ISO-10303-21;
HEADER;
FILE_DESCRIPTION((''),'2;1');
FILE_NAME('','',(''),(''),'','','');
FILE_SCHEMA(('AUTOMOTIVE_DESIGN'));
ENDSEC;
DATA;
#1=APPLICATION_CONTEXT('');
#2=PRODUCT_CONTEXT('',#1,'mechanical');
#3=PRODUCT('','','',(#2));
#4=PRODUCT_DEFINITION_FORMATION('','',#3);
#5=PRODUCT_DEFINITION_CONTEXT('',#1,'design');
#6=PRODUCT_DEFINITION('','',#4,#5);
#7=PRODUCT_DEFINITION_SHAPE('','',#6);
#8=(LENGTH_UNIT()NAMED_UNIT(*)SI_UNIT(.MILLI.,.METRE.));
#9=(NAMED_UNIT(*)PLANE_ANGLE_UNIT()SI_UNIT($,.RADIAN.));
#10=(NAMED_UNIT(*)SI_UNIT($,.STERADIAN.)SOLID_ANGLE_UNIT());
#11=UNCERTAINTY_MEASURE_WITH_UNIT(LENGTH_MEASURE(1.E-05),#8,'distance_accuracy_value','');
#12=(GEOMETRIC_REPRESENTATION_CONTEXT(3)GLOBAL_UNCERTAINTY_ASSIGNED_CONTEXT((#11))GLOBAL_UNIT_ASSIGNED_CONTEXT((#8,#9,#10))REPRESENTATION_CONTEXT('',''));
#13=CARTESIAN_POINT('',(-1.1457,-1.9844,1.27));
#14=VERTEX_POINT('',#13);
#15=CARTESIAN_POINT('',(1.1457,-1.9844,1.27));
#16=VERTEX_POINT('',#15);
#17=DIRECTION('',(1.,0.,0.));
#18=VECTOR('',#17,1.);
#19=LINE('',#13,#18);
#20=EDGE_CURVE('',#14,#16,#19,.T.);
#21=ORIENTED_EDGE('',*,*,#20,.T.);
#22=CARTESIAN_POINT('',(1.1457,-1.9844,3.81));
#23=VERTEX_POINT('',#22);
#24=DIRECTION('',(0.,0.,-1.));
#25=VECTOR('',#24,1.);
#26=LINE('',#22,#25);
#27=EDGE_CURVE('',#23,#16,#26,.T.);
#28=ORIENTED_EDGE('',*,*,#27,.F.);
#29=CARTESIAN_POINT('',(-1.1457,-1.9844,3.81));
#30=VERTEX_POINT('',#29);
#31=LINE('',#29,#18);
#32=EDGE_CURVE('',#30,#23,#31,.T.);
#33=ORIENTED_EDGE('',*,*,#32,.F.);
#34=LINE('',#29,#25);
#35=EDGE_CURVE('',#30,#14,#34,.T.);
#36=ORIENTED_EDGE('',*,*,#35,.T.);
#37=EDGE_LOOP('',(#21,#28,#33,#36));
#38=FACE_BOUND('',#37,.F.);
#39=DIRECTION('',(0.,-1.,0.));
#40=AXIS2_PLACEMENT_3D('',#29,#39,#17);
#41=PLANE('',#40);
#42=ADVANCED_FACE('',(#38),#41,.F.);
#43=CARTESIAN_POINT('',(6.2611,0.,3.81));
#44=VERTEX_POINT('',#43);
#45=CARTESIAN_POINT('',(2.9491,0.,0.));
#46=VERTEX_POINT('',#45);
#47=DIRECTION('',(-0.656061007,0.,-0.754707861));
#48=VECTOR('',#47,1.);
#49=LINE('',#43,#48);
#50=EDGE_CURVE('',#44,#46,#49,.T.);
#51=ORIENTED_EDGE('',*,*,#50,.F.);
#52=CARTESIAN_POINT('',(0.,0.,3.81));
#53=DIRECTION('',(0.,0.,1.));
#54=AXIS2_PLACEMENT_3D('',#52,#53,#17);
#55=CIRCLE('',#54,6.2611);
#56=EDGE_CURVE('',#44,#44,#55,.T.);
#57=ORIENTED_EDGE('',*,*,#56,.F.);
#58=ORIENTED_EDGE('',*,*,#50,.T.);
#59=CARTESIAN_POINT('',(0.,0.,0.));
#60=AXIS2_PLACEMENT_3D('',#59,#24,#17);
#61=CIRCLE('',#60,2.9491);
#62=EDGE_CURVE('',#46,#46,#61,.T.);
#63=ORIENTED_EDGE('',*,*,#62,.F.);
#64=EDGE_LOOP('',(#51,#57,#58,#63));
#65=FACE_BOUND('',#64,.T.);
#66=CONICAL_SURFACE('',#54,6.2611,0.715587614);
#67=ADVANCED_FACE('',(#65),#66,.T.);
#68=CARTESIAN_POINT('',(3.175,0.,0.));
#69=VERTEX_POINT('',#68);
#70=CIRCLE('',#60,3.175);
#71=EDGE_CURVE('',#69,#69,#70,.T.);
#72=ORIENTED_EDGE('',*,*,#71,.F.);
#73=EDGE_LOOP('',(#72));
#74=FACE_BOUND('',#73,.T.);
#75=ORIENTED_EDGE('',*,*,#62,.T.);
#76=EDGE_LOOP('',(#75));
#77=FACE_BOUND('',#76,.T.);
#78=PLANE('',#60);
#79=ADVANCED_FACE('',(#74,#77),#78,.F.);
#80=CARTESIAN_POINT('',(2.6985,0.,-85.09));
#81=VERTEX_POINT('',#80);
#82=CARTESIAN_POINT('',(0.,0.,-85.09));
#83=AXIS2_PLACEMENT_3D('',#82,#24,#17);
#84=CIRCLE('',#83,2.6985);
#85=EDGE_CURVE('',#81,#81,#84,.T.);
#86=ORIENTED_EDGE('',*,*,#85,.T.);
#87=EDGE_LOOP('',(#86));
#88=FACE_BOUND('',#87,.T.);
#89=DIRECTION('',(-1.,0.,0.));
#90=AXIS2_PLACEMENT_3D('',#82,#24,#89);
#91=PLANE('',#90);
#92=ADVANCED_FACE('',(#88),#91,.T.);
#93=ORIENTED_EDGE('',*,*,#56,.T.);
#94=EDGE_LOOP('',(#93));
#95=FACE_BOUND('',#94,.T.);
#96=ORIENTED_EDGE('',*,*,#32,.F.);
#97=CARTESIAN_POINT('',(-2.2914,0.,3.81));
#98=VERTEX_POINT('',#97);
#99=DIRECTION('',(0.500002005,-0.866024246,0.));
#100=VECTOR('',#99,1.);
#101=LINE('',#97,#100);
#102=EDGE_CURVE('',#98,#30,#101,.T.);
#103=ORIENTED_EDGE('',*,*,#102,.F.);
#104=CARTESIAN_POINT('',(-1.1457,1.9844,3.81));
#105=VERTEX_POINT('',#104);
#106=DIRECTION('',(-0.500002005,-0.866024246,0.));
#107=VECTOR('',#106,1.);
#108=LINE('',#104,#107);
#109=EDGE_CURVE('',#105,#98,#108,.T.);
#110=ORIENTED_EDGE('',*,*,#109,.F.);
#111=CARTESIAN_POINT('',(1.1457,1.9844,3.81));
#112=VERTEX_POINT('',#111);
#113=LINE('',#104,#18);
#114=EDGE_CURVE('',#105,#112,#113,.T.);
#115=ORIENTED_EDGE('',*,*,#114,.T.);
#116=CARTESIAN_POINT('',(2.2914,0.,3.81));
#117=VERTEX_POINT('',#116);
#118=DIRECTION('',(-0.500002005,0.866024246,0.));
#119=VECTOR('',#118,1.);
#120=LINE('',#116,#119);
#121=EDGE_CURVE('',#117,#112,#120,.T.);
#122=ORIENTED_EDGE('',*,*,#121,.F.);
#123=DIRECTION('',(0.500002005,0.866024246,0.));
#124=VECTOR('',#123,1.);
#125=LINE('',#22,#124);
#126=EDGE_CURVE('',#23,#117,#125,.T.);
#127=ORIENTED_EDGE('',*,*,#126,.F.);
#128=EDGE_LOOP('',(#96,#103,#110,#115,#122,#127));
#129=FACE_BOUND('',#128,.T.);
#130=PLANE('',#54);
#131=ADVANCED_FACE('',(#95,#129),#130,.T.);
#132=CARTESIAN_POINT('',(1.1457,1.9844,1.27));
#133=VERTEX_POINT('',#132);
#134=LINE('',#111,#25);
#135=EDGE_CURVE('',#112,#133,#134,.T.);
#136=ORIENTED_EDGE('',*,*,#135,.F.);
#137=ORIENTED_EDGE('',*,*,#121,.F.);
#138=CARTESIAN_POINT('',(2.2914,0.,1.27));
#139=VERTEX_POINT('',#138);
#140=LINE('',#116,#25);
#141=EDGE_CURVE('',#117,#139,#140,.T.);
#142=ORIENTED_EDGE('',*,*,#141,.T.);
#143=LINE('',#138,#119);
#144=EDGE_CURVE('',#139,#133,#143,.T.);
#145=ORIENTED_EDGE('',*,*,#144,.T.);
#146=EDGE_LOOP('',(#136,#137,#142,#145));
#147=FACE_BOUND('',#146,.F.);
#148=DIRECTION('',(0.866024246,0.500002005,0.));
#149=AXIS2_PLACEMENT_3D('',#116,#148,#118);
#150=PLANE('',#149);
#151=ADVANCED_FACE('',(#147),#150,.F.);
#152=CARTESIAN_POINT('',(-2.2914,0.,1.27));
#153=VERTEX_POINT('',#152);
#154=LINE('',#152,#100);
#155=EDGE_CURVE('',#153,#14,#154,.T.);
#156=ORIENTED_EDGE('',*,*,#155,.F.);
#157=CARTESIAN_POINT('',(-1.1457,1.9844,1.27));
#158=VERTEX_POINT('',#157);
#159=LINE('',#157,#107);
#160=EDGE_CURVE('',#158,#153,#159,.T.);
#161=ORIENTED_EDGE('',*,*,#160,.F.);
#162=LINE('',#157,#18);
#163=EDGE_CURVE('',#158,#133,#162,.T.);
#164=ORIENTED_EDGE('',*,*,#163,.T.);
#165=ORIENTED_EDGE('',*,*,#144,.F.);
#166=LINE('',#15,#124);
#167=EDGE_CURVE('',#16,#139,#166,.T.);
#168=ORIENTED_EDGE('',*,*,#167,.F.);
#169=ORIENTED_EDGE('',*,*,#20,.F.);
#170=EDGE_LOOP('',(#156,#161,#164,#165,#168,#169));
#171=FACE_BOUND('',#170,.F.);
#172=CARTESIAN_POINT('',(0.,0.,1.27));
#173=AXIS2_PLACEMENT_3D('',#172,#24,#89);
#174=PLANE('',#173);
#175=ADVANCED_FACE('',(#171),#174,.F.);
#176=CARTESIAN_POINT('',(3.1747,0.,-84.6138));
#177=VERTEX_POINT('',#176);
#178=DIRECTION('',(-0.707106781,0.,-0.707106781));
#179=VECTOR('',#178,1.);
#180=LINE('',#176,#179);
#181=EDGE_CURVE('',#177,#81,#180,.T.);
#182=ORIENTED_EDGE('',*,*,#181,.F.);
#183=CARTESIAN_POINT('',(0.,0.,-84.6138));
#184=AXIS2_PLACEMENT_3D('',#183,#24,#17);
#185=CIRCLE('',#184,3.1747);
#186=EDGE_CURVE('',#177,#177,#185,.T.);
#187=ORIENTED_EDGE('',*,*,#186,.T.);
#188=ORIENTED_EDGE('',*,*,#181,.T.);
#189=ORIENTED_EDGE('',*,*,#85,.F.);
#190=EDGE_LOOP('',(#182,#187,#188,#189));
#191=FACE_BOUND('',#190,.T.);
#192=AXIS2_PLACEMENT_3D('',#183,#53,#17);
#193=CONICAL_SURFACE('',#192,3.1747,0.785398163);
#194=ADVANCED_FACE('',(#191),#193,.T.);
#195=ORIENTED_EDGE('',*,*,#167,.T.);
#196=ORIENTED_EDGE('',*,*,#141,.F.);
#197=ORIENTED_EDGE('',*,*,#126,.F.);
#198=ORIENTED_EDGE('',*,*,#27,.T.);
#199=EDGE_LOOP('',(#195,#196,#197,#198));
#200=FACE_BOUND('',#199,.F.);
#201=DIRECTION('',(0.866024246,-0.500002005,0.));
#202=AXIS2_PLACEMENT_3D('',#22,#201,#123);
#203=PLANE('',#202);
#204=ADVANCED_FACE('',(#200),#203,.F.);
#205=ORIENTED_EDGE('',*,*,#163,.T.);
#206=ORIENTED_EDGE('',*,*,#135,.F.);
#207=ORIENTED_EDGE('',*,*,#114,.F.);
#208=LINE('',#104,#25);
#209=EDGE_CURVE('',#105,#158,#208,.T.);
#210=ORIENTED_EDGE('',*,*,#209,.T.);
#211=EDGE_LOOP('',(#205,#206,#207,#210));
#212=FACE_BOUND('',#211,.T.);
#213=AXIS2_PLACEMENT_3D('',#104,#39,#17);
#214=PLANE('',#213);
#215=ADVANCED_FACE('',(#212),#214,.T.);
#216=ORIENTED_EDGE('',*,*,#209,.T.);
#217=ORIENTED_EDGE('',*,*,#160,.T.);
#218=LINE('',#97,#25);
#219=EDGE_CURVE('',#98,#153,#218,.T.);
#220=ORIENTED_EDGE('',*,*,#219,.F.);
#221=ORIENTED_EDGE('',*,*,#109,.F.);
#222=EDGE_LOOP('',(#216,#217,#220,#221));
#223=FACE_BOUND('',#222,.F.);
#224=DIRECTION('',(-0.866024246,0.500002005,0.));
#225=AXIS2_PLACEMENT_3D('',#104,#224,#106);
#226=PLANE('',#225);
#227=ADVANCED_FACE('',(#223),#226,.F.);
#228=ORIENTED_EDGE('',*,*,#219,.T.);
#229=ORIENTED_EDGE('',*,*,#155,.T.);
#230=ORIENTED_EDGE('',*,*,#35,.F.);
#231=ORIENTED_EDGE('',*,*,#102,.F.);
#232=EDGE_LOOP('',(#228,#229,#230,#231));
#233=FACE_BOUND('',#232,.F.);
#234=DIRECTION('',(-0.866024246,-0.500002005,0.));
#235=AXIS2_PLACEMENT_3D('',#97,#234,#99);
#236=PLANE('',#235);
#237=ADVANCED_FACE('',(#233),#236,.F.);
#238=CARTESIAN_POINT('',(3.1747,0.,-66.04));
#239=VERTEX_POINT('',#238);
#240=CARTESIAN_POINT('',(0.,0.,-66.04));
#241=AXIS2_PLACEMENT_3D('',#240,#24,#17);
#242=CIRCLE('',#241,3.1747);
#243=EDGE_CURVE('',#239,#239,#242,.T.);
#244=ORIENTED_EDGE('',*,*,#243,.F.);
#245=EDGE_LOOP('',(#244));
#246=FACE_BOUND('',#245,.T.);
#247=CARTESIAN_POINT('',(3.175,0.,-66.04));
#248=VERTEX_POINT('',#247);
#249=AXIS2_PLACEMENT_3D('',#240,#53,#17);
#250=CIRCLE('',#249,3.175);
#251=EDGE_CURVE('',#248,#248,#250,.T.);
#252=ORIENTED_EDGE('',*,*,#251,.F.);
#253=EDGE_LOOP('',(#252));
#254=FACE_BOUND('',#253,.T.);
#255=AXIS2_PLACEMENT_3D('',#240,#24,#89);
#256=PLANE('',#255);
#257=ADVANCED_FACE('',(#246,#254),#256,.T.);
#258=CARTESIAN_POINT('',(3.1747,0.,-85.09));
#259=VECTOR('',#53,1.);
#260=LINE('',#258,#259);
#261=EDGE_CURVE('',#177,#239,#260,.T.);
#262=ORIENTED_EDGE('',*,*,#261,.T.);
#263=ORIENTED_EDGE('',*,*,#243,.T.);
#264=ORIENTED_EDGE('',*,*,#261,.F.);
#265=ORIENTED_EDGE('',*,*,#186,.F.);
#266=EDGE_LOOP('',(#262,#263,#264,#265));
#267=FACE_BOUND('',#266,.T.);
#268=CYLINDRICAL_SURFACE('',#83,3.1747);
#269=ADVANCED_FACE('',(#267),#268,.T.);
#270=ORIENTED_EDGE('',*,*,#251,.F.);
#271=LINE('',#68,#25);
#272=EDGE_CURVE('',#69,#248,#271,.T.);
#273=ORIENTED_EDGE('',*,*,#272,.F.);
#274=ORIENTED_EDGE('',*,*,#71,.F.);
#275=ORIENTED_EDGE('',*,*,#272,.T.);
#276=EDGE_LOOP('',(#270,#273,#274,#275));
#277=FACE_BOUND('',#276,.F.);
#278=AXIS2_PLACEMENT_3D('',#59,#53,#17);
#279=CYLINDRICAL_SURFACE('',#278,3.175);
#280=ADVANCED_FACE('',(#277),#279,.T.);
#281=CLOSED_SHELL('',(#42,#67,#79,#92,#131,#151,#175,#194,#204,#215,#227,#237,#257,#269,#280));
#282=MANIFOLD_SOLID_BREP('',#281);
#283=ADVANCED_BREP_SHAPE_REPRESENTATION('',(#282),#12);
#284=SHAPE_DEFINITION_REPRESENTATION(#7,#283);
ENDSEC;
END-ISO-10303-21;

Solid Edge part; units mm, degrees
sketch "Sketch1" plane through (0, 0, 0) normal (0, 0, 1) x (1, 0, 0)
  circle A0 centre (0, 0) radius 6.2611
  dimension "D1" = 12.5222
extrude "Protrusion1" add sketch "Sketch1" along normal blind 3.81
sketch "Sketch2" plane through (0, 0, 0) normal (0, 0, -1) x (1, 0, 0)
  circle A0 centre (0, 0) radius 3.175
extrude "Protrusion2" add sketch "Sketch2" along normal blind 85.09
sketch "Sketch3" plane through (0, 0, -85.09) normal (0, 0, -1) x (1, 0, 0)
  circle A0 centre (0, 0) radius 3.1747
extrude "Cutout1" cut sketch "Sketch3" against normal blind 19.05 flip side to cut
chamfer "Chamfer_1" distance 0.4762 angle 45 1 edges at (-3.1747, 0, -85.09)
sketch "Sketch4" plane through (0, 0, 3.81) normal (0, 0, 1) x (1, 0, 0)
  line L0 (-1.1457, 1.9844) -> (1.1457, 1.9844)
  line L1 (2.2914, 0) -> (1.1457, 1.9844)
  line L2 (1.1457, -1.9844) -> (2.2914, 0)
  line L3 (-1.1457, -1.9844) -> (1.1457, -1.9844)
  line L4 (-2.2914, 0) -> (-1.1457, -1.9844)
  line L5 (-1.1457, 1.9844) -> (-2.2914, 0)
  dimension "D1" = 3.9688
extrude "Cutout2" cut sketch "Sketch4" against normal blind 2.54
sketch "Sketch5" plane through (0, 0, 0) normal (0, -1, 0) x (1, 0, 0)
  line L0 (6.2611, 3.81) -> (2.9491, 0)
  line L1 (2.9491, 0) -> (6.2611, 0)
  line L2 (6.2611, 0) -> (6.2611, 3.81)
revolve "RevolvedCutout1" cut sketch "Sketch5" angle 360 about axis through (0, 0, 14.0017) along (0, 0, -1)
properties part number "24106180"
